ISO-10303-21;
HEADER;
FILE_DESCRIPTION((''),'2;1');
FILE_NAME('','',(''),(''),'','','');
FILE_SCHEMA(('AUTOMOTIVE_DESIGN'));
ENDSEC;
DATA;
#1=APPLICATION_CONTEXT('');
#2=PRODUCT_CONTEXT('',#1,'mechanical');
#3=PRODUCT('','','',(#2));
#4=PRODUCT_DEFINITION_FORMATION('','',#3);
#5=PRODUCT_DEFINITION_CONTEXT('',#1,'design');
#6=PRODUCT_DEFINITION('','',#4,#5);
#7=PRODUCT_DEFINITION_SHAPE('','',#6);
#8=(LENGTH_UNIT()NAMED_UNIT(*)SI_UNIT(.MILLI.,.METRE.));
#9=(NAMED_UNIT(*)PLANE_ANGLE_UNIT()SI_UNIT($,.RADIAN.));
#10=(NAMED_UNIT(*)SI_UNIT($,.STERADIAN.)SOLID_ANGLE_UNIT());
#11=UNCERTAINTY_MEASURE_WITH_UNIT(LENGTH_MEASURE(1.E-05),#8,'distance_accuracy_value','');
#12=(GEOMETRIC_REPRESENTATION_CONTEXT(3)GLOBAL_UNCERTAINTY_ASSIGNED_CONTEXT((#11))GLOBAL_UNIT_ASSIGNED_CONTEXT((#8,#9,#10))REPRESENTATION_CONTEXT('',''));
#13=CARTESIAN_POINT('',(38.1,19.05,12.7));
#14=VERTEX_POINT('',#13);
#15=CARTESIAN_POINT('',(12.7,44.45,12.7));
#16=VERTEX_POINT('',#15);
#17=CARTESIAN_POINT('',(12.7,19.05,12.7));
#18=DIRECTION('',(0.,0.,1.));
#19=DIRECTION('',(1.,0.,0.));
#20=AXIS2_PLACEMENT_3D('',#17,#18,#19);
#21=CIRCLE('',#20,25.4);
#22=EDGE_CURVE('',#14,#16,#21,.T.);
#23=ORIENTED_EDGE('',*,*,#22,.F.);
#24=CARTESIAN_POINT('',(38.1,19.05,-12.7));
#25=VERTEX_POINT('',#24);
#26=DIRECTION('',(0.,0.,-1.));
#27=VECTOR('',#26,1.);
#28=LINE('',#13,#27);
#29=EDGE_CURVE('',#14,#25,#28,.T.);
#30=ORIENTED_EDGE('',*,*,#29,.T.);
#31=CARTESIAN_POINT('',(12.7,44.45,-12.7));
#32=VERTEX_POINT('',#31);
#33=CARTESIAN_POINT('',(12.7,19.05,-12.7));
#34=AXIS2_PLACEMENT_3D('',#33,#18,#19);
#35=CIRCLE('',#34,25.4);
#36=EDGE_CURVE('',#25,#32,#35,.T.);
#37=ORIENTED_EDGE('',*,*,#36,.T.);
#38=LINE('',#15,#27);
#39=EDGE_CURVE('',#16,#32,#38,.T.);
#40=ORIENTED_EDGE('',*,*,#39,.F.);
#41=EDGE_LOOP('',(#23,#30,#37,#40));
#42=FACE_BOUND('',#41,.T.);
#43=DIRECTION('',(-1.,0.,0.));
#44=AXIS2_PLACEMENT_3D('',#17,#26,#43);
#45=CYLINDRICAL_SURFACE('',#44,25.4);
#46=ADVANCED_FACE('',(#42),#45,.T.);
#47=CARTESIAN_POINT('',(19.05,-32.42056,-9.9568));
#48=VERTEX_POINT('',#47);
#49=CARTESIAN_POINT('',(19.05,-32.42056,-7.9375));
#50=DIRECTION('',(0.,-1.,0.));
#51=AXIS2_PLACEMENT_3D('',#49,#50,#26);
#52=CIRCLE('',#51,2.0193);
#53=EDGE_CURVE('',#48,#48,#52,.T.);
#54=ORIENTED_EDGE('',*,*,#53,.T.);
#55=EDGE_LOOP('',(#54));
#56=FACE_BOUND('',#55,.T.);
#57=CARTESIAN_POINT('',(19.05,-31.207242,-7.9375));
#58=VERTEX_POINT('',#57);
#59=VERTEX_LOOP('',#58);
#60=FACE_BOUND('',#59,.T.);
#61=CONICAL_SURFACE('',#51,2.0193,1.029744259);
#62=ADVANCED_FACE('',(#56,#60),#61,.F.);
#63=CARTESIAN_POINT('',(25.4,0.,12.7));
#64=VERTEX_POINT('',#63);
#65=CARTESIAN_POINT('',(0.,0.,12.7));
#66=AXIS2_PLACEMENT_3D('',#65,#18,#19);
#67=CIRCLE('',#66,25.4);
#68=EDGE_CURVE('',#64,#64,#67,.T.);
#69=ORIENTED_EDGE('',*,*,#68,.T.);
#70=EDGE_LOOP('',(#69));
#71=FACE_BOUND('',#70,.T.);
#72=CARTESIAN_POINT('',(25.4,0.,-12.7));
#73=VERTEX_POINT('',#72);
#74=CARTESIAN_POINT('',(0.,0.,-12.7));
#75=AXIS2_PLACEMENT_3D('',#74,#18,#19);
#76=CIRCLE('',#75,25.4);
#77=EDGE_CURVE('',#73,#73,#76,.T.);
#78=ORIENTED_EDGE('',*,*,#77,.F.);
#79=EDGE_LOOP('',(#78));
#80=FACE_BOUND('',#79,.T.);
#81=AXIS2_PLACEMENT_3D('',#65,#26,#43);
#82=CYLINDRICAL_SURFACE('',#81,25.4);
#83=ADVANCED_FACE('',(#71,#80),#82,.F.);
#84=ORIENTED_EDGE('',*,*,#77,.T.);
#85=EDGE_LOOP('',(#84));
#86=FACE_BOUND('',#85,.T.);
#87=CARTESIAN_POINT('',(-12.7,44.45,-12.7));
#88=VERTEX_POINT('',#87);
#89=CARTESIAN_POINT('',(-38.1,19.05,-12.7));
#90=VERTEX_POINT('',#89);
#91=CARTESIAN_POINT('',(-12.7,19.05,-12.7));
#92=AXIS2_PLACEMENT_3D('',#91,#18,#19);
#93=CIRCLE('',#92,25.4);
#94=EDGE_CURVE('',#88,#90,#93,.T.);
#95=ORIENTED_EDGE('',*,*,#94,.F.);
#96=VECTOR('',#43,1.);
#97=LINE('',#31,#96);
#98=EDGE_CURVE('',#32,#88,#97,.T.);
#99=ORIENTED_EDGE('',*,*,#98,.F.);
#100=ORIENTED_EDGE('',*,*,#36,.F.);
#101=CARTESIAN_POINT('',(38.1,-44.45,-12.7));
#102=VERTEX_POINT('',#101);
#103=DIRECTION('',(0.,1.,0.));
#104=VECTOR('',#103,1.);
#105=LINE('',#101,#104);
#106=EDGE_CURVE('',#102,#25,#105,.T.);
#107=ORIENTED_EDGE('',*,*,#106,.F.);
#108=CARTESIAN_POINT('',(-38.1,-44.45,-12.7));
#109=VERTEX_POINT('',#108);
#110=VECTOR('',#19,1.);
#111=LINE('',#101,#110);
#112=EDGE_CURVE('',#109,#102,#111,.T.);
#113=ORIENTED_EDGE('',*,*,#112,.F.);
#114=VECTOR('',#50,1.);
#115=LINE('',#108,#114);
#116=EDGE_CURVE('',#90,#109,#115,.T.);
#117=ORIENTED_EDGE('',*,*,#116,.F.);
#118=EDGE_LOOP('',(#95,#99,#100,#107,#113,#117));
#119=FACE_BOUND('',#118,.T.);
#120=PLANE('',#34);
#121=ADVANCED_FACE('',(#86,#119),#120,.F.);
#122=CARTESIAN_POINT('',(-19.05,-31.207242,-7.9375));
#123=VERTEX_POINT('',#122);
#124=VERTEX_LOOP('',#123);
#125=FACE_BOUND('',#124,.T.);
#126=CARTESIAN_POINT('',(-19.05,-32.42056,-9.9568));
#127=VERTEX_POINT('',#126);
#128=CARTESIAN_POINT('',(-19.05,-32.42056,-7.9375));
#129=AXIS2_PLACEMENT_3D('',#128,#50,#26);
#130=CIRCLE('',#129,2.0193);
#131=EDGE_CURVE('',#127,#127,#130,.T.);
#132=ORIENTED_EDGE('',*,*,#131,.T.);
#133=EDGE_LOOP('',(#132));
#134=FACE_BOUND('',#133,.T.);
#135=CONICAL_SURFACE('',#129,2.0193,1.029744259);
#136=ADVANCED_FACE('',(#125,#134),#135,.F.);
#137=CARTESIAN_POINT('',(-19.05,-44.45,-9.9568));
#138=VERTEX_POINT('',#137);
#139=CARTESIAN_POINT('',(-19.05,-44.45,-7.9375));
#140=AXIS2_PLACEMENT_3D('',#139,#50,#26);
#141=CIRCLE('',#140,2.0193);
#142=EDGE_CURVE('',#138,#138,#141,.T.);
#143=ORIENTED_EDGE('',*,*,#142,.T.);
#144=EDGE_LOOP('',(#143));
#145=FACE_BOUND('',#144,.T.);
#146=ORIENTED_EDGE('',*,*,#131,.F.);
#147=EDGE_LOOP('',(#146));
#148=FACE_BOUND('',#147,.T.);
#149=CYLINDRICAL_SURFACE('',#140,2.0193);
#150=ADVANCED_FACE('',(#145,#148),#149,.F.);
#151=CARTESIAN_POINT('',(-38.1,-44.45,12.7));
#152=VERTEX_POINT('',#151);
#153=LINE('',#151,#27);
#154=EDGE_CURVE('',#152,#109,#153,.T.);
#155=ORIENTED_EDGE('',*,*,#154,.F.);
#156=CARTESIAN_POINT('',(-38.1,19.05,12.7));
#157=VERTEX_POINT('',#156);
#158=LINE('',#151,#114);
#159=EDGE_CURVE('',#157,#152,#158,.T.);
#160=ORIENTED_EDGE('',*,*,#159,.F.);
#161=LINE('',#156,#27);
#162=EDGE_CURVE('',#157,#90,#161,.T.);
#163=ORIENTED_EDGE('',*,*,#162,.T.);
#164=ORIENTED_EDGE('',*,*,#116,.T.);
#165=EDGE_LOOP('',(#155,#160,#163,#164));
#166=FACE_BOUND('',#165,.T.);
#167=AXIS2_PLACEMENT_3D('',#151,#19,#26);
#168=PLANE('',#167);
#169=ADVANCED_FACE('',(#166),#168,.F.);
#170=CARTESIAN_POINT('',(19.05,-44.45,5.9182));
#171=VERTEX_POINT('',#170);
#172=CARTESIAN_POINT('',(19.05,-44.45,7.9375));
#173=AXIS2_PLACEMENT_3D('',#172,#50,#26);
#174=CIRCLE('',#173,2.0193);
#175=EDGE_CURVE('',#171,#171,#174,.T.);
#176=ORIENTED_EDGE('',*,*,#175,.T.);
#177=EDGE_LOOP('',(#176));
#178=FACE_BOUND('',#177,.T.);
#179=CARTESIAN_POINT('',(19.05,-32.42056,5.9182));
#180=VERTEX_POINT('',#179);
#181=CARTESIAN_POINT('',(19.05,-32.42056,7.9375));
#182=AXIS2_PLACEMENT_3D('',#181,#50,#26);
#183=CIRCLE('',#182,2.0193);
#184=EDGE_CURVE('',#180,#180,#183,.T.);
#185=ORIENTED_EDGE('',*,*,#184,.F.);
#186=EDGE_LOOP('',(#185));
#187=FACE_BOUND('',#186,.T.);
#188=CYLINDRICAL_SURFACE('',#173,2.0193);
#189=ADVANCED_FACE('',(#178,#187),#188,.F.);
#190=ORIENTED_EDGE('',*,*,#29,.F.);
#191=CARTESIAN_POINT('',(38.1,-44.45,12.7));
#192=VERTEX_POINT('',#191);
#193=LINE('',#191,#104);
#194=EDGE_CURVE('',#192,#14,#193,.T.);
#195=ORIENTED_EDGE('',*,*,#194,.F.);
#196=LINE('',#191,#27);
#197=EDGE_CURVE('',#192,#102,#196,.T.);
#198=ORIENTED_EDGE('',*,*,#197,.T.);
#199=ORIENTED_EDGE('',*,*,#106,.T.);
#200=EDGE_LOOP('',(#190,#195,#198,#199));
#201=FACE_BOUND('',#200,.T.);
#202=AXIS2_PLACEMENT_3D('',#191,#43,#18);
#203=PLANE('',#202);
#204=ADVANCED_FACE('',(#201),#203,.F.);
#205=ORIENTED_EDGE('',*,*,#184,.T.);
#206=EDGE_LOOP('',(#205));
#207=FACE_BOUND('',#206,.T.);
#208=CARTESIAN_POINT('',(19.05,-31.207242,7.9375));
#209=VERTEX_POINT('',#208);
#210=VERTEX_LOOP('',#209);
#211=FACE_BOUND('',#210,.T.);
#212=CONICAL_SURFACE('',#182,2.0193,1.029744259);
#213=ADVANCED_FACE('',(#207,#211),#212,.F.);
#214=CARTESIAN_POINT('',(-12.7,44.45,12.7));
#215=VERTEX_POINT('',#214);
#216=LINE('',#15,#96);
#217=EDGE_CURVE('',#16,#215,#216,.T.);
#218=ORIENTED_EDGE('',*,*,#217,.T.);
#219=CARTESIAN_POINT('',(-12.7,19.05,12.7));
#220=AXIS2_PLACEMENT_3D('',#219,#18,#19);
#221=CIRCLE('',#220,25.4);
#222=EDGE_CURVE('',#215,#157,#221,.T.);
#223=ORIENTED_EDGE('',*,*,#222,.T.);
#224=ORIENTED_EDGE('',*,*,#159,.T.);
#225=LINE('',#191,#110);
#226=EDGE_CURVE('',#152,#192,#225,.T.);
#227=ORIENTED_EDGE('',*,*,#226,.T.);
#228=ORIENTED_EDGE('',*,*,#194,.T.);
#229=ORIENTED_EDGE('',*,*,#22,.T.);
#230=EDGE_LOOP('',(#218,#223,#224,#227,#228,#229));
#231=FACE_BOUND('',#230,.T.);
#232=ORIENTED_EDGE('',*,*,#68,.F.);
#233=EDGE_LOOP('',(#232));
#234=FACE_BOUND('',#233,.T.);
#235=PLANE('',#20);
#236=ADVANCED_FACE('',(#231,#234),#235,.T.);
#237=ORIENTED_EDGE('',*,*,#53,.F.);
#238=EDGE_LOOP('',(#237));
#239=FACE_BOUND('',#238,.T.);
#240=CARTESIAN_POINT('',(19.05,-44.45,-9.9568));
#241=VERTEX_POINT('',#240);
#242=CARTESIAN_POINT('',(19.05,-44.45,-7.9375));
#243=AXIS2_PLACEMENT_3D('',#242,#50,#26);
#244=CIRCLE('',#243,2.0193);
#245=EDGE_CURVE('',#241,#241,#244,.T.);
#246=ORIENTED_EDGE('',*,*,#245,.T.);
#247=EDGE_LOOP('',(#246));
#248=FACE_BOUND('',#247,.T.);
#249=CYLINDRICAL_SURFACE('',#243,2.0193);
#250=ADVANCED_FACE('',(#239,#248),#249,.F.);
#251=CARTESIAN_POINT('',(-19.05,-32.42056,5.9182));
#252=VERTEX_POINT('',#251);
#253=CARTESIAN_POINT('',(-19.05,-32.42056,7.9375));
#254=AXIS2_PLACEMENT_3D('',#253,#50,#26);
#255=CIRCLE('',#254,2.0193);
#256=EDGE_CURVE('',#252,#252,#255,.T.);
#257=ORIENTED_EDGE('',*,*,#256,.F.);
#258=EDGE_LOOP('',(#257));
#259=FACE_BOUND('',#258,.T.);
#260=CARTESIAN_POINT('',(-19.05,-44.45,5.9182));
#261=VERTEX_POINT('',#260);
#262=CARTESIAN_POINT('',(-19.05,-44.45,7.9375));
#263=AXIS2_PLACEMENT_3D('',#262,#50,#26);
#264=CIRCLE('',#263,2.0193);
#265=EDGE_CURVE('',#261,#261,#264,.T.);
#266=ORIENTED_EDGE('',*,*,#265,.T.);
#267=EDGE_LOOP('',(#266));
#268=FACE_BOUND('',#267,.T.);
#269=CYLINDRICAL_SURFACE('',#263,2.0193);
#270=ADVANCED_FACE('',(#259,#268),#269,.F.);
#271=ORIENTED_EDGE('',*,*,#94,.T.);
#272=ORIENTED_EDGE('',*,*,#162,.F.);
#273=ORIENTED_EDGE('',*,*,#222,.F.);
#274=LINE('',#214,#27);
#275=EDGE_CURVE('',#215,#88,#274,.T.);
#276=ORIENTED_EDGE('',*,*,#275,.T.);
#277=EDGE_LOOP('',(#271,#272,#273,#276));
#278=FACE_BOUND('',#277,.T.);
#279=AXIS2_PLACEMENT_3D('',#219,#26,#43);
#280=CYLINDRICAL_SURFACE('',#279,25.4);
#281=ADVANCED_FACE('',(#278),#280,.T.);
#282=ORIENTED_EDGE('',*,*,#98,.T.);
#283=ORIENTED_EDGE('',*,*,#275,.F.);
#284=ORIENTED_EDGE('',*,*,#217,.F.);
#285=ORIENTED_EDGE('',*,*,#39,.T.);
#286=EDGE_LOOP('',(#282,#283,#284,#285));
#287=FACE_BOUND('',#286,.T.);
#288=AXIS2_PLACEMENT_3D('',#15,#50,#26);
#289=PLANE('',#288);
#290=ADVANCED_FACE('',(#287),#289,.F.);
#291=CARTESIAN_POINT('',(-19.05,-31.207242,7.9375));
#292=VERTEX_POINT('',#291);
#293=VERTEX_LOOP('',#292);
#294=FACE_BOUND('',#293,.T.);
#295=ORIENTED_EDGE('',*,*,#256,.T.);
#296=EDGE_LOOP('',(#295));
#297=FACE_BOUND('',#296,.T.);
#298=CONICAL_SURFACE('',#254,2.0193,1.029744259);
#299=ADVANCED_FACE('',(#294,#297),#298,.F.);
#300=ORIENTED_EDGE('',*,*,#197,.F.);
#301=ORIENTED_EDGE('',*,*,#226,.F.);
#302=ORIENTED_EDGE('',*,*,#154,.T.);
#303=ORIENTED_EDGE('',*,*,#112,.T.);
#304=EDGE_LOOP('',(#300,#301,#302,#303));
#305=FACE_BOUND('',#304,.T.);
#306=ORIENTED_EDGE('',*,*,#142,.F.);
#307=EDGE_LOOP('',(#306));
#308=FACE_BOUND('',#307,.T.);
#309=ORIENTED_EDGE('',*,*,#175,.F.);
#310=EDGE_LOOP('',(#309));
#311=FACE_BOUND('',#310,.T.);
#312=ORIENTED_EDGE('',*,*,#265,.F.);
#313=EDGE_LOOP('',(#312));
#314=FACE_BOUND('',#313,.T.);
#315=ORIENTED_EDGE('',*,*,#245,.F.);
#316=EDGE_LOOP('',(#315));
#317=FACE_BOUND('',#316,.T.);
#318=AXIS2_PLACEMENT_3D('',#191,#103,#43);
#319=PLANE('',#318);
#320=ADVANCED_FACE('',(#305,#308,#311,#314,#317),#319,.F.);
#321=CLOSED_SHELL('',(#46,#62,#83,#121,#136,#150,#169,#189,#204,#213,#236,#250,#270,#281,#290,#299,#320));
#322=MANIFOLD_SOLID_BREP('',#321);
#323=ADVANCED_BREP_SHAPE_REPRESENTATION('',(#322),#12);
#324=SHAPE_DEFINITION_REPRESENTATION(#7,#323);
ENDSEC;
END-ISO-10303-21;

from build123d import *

# Parameters (mm, degrees)
SKETCH1_R                  = 25.4
BOSS_EXTRUDE1_DEPTH        = 12.7
F_10_32_TAPPED_HOLE1_D     = 4.0386
F_10_32_TAPPED_HOLE1_DEPTH = 12.02944
F_10_32_TAPPED_HOLE1_TIP   = 1.213317848


with BuildPart() as part:
    # Sketch1 → Boss-Extrude1 (new body, symmetric)
    with BuildSketch(Plane.XY):
        with BuildLine():
            Line((38.1, -44.45), (-38.1, -44.45))
            Line((-38.1, -44.45), (-38.1, 19.05))
            ThreePointArc((-38.1, 19.05), (-30.660512242, 37.010512242), (-12.7, 44.45))
            Line((-12.7, 44.45), (12.7, 44.45))
            ThreePointArc((12.7, 44.45), (30.660512242, 37.010512242), (38.1, 19.05))
            Line((38.1, 19.05), (38.1, -44.45))
        make_face()
        Circle(SKETCH1_R, mode=Mode.SUBTRACT)
    extrude(amount=BOSS_EXTRUDE1_DEPTH, both=True)

    # #10-32 Tapped Hole1
    with Locations(Plane(origin=(0, -44.45, 0), x_dir=(-1, 0, 0), z_dir=(0, -1, 0))):
        with Locations((19.05, -7.9375), (-19.05, -7.9375), (-19.05, 7.9375), (19.05, 7.9375)):
            Hole(F_10_32_TAPPED_HOLE1_D / 2, depth=F_10_32_TAPPED_HOLE1_DEPTH)
            with Locations((0, 0, -(F_10_32_TAPPED_HOLE1_DEPTH + F_10_32_TAPPED_HOLE1_TIP / 2))):  # 118° drill point
                Cone(0, F_10_32_TAPPED_HOLE1_D / 2, F_10_32_TAPPED_HOLE1_TIP, mode=Mode.SUBTRACT)


solid = part.part
